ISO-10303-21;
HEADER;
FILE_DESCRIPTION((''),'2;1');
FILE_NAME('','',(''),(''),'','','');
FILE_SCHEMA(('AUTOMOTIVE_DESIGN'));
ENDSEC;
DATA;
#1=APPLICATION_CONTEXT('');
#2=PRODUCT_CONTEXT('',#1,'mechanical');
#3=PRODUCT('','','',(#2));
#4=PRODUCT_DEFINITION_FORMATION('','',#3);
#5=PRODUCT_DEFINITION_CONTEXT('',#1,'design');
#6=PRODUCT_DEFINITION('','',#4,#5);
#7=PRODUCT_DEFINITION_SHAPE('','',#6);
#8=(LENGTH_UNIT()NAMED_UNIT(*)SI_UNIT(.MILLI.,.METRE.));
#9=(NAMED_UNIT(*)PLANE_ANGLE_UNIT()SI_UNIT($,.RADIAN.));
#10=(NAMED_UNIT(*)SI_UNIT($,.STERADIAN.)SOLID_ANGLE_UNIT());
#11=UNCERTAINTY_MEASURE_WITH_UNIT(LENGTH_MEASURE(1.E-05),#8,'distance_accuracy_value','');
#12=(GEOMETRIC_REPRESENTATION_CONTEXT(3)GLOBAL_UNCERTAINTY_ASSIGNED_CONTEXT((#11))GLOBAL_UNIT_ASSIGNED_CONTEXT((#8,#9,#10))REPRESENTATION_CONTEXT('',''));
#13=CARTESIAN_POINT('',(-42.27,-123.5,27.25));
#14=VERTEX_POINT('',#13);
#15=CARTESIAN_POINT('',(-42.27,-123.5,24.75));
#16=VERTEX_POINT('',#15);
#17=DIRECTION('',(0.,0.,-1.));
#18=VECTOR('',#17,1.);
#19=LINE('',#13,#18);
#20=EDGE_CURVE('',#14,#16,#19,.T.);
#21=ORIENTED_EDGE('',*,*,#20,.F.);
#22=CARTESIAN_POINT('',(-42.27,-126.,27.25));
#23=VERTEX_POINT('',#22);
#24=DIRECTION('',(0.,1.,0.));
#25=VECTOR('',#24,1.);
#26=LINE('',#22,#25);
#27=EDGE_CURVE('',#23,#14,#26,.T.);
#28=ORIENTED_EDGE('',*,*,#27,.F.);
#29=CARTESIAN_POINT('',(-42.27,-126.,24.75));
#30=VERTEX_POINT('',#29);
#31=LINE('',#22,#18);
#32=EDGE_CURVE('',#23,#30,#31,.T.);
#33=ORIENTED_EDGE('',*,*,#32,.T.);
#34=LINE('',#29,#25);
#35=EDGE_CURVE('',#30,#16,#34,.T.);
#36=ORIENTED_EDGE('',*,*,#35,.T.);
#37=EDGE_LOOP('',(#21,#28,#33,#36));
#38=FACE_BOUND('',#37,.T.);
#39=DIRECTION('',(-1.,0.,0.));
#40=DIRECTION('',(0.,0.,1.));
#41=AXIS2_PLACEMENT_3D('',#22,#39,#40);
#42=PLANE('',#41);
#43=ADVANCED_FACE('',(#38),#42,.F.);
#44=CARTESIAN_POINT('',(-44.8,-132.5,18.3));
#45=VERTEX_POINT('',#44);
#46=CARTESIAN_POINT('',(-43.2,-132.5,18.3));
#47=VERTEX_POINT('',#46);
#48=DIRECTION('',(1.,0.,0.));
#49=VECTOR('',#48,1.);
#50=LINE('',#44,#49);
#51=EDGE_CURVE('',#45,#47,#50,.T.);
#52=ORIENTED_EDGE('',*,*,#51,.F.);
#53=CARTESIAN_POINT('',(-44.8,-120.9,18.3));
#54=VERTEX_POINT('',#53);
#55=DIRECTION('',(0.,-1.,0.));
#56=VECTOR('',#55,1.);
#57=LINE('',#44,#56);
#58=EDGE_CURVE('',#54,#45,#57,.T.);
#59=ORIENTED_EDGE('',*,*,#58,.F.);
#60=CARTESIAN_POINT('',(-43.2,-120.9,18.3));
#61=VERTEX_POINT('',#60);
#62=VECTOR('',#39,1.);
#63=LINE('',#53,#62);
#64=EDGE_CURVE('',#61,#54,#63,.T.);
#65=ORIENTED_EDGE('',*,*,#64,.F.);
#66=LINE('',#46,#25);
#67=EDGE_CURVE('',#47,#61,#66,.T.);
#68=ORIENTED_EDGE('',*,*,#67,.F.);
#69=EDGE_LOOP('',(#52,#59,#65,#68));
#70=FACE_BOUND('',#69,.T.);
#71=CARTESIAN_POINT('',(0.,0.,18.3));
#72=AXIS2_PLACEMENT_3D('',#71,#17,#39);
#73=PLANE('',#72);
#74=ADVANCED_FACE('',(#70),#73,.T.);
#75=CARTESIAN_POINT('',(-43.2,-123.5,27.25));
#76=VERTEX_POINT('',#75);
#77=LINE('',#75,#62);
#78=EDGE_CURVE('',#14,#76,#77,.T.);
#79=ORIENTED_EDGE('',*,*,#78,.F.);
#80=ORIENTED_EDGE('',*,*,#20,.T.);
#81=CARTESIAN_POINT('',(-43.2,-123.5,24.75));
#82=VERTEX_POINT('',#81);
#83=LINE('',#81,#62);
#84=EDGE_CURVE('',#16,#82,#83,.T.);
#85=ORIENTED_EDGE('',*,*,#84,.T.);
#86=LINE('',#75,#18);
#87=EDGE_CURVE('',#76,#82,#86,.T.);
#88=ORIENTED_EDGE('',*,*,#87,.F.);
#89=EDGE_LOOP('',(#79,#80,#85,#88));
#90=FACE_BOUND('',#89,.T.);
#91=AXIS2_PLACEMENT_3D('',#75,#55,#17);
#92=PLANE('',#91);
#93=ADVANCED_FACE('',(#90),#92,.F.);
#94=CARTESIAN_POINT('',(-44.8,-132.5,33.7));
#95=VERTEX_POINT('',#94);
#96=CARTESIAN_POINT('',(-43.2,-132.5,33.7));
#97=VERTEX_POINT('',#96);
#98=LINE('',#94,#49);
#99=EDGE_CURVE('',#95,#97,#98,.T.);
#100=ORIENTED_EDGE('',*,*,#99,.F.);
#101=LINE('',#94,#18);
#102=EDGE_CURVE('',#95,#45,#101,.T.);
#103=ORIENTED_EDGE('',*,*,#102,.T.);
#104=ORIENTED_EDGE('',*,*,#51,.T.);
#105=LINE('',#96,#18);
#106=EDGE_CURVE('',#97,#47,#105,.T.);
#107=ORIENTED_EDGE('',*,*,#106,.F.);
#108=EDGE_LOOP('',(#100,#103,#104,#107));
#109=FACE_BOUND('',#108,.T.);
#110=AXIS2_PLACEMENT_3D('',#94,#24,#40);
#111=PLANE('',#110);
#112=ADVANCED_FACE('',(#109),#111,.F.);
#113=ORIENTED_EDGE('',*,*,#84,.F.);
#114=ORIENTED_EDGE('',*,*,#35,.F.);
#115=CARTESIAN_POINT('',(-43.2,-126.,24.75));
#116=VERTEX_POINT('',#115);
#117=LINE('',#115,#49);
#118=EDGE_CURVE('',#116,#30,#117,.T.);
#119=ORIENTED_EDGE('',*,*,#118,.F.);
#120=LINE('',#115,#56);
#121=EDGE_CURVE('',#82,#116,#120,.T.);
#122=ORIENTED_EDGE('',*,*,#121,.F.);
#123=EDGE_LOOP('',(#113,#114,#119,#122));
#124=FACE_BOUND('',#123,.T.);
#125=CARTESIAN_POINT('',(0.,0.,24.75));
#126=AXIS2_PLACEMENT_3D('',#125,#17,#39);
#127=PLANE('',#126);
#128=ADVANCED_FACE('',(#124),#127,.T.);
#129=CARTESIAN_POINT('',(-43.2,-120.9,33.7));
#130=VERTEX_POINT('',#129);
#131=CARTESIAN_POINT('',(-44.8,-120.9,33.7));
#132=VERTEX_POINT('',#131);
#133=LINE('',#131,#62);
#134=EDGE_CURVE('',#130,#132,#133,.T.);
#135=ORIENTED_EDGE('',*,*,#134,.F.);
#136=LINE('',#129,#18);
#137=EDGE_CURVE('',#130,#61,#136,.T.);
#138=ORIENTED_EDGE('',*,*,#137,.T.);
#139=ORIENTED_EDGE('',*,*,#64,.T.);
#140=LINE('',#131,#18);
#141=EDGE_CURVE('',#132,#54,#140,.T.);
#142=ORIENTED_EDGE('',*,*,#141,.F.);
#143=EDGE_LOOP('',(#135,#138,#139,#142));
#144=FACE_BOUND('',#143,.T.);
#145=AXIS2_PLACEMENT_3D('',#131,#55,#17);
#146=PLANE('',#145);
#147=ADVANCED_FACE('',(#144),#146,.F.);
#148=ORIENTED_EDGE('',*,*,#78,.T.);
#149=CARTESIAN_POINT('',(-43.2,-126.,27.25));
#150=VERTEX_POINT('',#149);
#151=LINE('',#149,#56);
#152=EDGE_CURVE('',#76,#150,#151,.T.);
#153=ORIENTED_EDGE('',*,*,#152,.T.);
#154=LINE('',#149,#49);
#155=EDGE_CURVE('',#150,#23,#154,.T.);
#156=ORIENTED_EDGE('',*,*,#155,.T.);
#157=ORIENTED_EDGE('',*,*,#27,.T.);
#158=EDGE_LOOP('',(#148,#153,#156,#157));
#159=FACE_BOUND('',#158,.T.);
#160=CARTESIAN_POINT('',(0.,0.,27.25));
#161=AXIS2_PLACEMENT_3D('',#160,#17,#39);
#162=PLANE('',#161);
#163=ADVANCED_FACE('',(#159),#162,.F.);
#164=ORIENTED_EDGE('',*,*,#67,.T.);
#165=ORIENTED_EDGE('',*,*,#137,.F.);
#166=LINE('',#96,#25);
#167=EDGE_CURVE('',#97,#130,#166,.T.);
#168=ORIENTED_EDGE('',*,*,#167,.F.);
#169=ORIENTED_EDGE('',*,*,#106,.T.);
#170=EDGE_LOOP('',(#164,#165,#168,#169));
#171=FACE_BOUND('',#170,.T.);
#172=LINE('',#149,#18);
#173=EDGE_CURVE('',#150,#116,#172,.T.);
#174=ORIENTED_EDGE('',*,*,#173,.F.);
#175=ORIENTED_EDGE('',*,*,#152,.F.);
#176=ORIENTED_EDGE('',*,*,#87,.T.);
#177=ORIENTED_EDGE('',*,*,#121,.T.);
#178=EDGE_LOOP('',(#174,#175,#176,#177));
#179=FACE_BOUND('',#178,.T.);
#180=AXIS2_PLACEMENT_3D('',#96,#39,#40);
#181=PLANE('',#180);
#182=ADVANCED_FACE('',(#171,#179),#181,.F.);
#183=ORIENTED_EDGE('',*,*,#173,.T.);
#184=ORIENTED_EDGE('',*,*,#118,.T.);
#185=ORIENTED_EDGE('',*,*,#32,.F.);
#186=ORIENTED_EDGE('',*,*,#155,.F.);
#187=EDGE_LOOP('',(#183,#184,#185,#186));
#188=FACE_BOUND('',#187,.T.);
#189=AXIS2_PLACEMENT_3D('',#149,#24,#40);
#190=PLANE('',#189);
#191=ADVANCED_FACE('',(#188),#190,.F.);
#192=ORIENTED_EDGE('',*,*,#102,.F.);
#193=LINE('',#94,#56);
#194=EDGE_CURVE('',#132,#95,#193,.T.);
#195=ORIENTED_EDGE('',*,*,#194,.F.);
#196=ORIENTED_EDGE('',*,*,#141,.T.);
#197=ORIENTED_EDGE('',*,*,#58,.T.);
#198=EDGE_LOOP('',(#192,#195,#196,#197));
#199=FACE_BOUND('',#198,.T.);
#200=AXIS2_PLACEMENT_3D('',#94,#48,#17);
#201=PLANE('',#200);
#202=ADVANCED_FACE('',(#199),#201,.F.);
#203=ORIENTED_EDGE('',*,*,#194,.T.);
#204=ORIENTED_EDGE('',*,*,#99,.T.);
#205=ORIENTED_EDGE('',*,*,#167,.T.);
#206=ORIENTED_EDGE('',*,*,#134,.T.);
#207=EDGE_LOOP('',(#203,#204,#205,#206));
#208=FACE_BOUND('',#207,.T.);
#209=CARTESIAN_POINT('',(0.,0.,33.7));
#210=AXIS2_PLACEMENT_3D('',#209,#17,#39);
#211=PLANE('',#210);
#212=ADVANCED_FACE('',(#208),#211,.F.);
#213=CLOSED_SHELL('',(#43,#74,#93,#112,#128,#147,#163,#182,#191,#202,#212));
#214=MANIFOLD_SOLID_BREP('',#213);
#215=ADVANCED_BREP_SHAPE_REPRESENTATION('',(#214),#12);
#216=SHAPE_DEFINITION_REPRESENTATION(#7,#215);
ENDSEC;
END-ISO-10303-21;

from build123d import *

# Parameters (mm, degrees)
SKETCH1_W           = 1.6
SKETCH1_H           = 11.6
BOSS_EXTRUDE1_DEPTH = 15.4
SKETCH2_W           = 0.93
SKETCH2_H           = 2.5
BOSS_EXTRUDE2_DEPTH = 2.5


with BuildPart() as part:
    # Sketch1 → Boss-Extrude1 (new body)
    with BuildSketch(Plane.XY.offset(18.3)):
        with Locations((-44, -126.7)):
            Rectangle(SKETCH1_W, SKETCH1_H)
    extrude(amount=BOSS_EXTRUDE1_DEPTH)

    # Sketch2 → Boss-Extrude2 (add)
    with BuildSketch(Plane.XY.offset(24.75)):
        with Locations((-42.735, -124.75)):
            Rectangle(SKETCH2_W, SKETCH2_H)
    extrude(amount=BOSS_EXTRUDE2_DEPTH)


solid = part.part
